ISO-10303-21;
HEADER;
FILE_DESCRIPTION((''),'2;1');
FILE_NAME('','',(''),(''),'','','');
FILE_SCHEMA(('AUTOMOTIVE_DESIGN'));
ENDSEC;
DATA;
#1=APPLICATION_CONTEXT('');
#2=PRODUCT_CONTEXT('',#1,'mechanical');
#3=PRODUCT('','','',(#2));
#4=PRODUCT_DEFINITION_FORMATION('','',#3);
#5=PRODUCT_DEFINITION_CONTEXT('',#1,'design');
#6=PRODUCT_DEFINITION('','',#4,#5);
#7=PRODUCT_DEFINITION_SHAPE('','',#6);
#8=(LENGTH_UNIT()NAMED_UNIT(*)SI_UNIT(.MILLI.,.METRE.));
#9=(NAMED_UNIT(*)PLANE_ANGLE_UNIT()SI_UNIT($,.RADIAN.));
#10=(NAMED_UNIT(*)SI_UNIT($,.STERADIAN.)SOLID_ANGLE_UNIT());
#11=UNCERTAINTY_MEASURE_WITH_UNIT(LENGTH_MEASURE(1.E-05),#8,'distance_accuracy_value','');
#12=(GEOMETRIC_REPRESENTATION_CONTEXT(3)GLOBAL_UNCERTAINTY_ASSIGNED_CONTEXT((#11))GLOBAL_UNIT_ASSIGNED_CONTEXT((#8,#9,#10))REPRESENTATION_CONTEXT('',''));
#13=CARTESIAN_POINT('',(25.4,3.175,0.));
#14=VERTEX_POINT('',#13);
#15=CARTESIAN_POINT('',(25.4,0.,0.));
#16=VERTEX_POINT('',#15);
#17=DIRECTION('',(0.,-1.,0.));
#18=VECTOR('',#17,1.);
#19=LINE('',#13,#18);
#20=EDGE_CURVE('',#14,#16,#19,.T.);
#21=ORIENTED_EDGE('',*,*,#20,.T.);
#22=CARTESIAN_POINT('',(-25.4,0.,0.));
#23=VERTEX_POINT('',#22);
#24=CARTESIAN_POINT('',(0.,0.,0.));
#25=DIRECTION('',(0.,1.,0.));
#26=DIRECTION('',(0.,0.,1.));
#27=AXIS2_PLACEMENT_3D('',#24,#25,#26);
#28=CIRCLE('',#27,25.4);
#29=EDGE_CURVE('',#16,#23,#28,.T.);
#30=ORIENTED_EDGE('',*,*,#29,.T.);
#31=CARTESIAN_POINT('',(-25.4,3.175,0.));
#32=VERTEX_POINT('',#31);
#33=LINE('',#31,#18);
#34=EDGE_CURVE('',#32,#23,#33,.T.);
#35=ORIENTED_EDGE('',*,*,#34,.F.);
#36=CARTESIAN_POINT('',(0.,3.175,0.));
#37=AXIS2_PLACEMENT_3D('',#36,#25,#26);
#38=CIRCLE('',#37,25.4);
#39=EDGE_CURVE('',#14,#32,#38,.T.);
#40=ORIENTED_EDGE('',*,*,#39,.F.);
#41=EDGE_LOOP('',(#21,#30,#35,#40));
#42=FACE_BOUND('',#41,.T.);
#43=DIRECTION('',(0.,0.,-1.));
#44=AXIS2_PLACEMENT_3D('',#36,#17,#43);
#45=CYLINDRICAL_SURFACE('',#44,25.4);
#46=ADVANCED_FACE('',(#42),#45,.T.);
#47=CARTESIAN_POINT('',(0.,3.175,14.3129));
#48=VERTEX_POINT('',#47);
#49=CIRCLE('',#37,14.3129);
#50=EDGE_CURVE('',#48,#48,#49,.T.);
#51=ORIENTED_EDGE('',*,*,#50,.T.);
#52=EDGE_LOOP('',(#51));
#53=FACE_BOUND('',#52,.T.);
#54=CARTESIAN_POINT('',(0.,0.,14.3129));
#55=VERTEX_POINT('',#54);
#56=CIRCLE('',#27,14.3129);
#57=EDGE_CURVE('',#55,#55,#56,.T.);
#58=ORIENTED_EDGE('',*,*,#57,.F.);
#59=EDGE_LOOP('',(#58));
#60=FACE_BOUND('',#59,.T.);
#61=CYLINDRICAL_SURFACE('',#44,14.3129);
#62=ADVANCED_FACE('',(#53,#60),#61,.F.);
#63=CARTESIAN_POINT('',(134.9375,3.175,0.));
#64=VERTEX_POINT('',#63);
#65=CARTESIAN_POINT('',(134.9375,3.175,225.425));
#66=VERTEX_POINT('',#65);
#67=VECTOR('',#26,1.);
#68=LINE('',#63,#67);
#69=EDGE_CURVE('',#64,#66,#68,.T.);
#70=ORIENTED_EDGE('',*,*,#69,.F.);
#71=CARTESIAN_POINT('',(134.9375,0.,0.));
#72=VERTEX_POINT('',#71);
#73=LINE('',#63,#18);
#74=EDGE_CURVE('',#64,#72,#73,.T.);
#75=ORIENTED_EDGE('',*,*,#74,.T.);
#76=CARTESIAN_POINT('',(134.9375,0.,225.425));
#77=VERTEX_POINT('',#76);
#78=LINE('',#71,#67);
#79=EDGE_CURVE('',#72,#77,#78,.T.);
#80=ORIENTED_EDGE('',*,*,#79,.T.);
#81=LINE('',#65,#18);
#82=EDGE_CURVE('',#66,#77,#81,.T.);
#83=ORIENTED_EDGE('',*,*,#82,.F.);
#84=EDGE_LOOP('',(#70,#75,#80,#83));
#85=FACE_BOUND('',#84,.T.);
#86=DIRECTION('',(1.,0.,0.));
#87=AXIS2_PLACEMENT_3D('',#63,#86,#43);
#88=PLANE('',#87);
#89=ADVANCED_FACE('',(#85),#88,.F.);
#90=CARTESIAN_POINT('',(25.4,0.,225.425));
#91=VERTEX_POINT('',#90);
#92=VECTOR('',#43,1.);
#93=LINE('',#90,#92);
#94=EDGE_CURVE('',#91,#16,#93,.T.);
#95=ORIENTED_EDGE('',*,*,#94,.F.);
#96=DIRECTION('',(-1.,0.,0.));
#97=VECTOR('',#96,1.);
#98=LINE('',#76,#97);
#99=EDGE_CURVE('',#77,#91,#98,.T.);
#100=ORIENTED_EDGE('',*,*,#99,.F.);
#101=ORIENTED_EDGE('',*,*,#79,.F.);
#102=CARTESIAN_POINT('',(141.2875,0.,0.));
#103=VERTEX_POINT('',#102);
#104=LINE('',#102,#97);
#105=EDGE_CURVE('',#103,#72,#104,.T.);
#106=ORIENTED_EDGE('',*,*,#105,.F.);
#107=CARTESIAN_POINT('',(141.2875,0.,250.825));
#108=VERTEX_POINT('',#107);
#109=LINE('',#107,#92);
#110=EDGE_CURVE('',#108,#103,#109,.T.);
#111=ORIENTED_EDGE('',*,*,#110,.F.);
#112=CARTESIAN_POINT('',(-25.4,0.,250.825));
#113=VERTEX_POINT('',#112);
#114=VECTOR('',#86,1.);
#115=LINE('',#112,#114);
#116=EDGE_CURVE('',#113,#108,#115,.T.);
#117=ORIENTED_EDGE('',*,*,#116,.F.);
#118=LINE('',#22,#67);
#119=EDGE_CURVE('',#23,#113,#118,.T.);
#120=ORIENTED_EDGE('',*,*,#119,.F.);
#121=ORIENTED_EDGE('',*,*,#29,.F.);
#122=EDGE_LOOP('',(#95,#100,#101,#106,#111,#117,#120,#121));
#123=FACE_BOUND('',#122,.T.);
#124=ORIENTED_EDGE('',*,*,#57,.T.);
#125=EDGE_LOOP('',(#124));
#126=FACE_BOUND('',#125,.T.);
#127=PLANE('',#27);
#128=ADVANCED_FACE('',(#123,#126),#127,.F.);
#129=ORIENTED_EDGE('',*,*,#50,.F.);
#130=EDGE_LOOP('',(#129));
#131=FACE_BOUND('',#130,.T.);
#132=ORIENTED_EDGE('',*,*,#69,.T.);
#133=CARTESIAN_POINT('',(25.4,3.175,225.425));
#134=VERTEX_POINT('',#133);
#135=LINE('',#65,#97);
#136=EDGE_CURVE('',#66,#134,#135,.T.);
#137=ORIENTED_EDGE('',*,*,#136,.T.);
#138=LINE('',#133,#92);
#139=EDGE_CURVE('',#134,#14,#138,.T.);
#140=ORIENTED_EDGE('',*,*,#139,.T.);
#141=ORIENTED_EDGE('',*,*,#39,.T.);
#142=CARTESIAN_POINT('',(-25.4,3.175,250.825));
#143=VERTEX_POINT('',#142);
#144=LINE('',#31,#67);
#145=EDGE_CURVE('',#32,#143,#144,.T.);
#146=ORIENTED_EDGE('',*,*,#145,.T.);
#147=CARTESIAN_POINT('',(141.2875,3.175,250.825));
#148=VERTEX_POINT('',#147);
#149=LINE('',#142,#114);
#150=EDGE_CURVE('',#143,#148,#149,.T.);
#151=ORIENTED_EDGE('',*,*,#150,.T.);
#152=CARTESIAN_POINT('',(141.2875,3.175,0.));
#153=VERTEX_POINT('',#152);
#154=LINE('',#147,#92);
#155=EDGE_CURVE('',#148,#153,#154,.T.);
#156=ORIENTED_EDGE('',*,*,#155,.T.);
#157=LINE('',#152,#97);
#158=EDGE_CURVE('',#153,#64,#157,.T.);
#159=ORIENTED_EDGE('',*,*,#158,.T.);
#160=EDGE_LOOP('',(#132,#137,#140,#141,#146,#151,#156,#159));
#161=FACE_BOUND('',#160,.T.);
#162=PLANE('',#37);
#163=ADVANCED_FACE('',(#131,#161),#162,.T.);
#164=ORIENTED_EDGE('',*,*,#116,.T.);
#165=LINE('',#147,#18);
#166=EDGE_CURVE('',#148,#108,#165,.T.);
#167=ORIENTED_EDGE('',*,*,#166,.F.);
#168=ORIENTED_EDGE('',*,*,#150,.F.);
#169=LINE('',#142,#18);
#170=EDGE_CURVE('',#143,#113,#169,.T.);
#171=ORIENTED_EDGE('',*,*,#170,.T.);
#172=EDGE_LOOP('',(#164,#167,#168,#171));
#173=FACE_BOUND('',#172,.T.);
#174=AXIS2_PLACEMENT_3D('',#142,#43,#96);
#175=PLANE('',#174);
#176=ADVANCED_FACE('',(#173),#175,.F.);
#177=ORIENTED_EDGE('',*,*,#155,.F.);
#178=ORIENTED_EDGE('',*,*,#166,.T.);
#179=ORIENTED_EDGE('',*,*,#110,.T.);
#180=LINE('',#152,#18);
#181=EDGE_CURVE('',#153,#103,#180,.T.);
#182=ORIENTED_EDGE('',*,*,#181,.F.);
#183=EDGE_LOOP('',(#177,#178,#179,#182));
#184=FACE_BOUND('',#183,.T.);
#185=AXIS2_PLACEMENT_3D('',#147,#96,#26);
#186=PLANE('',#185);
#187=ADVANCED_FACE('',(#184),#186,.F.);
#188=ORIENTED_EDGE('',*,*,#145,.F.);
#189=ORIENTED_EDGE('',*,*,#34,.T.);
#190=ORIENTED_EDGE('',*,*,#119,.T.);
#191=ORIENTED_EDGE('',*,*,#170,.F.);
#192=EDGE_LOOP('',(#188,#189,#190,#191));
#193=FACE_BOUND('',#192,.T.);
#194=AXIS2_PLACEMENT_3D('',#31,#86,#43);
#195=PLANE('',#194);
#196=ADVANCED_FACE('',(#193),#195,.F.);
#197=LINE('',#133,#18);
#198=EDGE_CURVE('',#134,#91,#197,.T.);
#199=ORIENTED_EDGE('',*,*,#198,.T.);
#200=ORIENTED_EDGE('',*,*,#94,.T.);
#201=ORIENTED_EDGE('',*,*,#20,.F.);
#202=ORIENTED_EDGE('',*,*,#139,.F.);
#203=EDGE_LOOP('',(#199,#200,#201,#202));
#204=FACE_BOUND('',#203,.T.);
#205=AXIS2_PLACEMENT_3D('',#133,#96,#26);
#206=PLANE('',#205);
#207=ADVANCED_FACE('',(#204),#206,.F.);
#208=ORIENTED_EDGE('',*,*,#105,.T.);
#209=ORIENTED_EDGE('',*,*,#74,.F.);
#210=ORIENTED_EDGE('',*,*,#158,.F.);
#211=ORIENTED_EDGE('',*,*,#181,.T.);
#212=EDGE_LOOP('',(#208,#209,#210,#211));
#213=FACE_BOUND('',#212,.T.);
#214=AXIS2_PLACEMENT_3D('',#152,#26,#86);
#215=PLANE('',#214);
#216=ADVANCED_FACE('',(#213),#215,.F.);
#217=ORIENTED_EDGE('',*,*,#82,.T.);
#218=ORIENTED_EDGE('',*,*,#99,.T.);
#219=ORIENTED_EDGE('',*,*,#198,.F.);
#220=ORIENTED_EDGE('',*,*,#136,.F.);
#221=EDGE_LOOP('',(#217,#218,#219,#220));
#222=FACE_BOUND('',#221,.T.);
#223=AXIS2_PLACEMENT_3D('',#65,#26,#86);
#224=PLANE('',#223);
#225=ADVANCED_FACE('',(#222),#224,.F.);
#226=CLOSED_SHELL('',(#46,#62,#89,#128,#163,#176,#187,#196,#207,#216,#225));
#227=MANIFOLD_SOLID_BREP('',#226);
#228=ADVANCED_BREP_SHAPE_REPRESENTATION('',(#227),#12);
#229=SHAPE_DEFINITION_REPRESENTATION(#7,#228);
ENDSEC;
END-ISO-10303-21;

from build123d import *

# Parameters (mm, degrees)
SKETCH1_R           = 14.3129
BOSS_EXTRUDE1_DEPTH = 3.175


with BuildPart() as part:
    # Sketch1 → Boss-Extrude1 (new body)
    with BuildSketch(Plane(origin=(0, 0, 0), x_dir=(1, 0, 0), z_dir=(0, 1, 0))):
        with BuildLine():
            Line((-25.4, 0), (-25.4, -250.825))
            Line((-25.4, -250.825), (141.2875, -250.825))
            Line((141.2875, -250.825), (141.2875, 0))
            Line((141.2875, 0), (134.9375, 0))
            Line((134.9375, 0), (134.9375, -225.425))
            Line((134.9375, -225.425), (25.4, -225.425))
            Line((25.4, -225.425), (25.4, 0))
            ThreePointArc((25.4, 0), (0, 25.4), (-25.4, 0))
        make_face()
        Circle(SKETCH1_R, mode=Mode.SUBTRACT)
    extrude(amount=BOSS_EXTRUDE1_DEPTH)


solid = part.part
